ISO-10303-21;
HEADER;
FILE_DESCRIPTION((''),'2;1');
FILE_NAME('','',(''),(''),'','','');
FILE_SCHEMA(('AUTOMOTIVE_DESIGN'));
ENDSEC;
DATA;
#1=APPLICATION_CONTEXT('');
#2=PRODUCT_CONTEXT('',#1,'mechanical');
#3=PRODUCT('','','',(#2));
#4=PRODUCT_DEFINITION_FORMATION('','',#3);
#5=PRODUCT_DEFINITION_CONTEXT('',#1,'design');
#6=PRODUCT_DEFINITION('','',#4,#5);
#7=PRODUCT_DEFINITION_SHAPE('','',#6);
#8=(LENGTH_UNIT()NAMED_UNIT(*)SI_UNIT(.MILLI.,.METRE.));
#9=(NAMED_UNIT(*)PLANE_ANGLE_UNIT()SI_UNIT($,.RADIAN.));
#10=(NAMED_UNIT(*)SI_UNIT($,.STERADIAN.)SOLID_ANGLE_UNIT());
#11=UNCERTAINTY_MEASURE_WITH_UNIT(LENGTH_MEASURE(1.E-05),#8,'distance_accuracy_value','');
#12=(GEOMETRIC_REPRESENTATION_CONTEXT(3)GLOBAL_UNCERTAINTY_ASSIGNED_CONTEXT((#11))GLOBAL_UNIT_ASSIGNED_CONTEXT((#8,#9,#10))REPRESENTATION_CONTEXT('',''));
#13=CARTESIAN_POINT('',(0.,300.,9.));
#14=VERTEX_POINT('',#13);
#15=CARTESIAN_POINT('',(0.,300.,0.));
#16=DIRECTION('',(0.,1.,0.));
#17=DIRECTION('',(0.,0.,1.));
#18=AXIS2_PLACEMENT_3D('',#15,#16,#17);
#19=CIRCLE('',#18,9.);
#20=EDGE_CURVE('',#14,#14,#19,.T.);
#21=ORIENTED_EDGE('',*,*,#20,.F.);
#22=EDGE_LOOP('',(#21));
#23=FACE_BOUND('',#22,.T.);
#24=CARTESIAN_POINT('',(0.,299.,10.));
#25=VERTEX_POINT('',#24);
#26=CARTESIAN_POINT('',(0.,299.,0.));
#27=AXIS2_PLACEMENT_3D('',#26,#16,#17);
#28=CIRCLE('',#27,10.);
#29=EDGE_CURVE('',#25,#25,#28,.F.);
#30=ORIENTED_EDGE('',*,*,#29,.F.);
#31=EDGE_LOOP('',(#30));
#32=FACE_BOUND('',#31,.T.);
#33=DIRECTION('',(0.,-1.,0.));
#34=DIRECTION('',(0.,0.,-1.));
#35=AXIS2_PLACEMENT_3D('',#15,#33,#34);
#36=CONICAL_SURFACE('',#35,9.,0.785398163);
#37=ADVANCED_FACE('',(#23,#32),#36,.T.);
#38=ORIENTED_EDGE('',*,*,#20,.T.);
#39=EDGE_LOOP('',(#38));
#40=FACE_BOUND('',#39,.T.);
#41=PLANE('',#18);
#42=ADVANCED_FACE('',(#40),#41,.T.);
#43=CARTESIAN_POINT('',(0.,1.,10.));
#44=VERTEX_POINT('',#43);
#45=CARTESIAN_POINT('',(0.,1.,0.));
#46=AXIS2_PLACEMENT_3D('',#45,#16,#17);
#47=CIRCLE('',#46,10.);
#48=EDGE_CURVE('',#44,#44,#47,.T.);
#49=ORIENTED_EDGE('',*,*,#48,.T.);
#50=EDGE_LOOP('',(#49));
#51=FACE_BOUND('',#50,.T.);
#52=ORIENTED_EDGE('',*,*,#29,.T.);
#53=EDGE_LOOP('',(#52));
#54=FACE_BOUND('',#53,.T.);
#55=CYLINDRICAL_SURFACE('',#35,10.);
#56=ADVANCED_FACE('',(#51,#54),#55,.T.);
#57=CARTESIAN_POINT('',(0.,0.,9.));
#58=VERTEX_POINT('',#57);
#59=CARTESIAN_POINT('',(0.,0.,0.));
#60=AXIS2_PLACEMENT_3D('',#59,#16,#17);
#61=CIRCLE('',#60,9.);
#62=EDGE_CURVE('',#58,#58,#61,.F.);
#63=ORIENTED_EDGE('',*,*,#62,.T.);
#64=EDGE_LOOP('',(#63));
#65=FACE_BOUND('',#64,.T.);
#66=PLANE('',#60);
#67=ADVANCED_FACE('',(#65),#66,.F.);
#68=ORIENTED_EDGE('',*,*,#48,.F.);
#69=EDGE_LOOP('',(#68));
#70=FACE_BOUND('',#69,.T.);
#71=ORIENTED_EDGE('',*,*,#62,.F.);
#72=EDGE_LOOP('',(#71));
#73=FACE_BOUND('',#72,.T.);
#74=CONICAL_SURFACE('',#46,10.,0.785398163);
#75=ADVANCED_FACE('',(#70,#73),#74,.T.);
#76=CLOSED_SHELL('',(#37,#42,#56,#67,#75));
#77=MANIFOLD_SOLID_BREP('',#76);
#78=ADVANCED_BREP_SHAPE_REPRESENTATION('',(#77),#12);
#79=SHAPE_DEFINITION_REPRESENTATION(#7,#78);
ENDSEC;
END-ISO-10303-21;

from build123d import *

# Parameters (mm, degrees)
SKETCH1_R           = 10
BOSS_EXTRUDE1_DEPTH = 300
CHAMFER1_SIZE       = 1


with BuildPart() as part:
    # Sketch1 → Boss-Extrude1 (new body)
    with BuildSketch(Plane(origin=(0, 0, 0), x_dir=(1, 0, 0), z_dir=(0, 1, 0))):
        Circle(SKETCH1_R)
    extrude(amount=BOSS_EXTRUDE1_DEPTH)

    # Chamfer1
    chamfer1_edges = [part.edges().sort_by_distance(p)[0] for p in [
        (-10, 0, 0),
        (-10, 300, 0),
    ]]
    chamfer(chamfer1_edges, length=CHAMFER1_SIZE)


solid = part.part
